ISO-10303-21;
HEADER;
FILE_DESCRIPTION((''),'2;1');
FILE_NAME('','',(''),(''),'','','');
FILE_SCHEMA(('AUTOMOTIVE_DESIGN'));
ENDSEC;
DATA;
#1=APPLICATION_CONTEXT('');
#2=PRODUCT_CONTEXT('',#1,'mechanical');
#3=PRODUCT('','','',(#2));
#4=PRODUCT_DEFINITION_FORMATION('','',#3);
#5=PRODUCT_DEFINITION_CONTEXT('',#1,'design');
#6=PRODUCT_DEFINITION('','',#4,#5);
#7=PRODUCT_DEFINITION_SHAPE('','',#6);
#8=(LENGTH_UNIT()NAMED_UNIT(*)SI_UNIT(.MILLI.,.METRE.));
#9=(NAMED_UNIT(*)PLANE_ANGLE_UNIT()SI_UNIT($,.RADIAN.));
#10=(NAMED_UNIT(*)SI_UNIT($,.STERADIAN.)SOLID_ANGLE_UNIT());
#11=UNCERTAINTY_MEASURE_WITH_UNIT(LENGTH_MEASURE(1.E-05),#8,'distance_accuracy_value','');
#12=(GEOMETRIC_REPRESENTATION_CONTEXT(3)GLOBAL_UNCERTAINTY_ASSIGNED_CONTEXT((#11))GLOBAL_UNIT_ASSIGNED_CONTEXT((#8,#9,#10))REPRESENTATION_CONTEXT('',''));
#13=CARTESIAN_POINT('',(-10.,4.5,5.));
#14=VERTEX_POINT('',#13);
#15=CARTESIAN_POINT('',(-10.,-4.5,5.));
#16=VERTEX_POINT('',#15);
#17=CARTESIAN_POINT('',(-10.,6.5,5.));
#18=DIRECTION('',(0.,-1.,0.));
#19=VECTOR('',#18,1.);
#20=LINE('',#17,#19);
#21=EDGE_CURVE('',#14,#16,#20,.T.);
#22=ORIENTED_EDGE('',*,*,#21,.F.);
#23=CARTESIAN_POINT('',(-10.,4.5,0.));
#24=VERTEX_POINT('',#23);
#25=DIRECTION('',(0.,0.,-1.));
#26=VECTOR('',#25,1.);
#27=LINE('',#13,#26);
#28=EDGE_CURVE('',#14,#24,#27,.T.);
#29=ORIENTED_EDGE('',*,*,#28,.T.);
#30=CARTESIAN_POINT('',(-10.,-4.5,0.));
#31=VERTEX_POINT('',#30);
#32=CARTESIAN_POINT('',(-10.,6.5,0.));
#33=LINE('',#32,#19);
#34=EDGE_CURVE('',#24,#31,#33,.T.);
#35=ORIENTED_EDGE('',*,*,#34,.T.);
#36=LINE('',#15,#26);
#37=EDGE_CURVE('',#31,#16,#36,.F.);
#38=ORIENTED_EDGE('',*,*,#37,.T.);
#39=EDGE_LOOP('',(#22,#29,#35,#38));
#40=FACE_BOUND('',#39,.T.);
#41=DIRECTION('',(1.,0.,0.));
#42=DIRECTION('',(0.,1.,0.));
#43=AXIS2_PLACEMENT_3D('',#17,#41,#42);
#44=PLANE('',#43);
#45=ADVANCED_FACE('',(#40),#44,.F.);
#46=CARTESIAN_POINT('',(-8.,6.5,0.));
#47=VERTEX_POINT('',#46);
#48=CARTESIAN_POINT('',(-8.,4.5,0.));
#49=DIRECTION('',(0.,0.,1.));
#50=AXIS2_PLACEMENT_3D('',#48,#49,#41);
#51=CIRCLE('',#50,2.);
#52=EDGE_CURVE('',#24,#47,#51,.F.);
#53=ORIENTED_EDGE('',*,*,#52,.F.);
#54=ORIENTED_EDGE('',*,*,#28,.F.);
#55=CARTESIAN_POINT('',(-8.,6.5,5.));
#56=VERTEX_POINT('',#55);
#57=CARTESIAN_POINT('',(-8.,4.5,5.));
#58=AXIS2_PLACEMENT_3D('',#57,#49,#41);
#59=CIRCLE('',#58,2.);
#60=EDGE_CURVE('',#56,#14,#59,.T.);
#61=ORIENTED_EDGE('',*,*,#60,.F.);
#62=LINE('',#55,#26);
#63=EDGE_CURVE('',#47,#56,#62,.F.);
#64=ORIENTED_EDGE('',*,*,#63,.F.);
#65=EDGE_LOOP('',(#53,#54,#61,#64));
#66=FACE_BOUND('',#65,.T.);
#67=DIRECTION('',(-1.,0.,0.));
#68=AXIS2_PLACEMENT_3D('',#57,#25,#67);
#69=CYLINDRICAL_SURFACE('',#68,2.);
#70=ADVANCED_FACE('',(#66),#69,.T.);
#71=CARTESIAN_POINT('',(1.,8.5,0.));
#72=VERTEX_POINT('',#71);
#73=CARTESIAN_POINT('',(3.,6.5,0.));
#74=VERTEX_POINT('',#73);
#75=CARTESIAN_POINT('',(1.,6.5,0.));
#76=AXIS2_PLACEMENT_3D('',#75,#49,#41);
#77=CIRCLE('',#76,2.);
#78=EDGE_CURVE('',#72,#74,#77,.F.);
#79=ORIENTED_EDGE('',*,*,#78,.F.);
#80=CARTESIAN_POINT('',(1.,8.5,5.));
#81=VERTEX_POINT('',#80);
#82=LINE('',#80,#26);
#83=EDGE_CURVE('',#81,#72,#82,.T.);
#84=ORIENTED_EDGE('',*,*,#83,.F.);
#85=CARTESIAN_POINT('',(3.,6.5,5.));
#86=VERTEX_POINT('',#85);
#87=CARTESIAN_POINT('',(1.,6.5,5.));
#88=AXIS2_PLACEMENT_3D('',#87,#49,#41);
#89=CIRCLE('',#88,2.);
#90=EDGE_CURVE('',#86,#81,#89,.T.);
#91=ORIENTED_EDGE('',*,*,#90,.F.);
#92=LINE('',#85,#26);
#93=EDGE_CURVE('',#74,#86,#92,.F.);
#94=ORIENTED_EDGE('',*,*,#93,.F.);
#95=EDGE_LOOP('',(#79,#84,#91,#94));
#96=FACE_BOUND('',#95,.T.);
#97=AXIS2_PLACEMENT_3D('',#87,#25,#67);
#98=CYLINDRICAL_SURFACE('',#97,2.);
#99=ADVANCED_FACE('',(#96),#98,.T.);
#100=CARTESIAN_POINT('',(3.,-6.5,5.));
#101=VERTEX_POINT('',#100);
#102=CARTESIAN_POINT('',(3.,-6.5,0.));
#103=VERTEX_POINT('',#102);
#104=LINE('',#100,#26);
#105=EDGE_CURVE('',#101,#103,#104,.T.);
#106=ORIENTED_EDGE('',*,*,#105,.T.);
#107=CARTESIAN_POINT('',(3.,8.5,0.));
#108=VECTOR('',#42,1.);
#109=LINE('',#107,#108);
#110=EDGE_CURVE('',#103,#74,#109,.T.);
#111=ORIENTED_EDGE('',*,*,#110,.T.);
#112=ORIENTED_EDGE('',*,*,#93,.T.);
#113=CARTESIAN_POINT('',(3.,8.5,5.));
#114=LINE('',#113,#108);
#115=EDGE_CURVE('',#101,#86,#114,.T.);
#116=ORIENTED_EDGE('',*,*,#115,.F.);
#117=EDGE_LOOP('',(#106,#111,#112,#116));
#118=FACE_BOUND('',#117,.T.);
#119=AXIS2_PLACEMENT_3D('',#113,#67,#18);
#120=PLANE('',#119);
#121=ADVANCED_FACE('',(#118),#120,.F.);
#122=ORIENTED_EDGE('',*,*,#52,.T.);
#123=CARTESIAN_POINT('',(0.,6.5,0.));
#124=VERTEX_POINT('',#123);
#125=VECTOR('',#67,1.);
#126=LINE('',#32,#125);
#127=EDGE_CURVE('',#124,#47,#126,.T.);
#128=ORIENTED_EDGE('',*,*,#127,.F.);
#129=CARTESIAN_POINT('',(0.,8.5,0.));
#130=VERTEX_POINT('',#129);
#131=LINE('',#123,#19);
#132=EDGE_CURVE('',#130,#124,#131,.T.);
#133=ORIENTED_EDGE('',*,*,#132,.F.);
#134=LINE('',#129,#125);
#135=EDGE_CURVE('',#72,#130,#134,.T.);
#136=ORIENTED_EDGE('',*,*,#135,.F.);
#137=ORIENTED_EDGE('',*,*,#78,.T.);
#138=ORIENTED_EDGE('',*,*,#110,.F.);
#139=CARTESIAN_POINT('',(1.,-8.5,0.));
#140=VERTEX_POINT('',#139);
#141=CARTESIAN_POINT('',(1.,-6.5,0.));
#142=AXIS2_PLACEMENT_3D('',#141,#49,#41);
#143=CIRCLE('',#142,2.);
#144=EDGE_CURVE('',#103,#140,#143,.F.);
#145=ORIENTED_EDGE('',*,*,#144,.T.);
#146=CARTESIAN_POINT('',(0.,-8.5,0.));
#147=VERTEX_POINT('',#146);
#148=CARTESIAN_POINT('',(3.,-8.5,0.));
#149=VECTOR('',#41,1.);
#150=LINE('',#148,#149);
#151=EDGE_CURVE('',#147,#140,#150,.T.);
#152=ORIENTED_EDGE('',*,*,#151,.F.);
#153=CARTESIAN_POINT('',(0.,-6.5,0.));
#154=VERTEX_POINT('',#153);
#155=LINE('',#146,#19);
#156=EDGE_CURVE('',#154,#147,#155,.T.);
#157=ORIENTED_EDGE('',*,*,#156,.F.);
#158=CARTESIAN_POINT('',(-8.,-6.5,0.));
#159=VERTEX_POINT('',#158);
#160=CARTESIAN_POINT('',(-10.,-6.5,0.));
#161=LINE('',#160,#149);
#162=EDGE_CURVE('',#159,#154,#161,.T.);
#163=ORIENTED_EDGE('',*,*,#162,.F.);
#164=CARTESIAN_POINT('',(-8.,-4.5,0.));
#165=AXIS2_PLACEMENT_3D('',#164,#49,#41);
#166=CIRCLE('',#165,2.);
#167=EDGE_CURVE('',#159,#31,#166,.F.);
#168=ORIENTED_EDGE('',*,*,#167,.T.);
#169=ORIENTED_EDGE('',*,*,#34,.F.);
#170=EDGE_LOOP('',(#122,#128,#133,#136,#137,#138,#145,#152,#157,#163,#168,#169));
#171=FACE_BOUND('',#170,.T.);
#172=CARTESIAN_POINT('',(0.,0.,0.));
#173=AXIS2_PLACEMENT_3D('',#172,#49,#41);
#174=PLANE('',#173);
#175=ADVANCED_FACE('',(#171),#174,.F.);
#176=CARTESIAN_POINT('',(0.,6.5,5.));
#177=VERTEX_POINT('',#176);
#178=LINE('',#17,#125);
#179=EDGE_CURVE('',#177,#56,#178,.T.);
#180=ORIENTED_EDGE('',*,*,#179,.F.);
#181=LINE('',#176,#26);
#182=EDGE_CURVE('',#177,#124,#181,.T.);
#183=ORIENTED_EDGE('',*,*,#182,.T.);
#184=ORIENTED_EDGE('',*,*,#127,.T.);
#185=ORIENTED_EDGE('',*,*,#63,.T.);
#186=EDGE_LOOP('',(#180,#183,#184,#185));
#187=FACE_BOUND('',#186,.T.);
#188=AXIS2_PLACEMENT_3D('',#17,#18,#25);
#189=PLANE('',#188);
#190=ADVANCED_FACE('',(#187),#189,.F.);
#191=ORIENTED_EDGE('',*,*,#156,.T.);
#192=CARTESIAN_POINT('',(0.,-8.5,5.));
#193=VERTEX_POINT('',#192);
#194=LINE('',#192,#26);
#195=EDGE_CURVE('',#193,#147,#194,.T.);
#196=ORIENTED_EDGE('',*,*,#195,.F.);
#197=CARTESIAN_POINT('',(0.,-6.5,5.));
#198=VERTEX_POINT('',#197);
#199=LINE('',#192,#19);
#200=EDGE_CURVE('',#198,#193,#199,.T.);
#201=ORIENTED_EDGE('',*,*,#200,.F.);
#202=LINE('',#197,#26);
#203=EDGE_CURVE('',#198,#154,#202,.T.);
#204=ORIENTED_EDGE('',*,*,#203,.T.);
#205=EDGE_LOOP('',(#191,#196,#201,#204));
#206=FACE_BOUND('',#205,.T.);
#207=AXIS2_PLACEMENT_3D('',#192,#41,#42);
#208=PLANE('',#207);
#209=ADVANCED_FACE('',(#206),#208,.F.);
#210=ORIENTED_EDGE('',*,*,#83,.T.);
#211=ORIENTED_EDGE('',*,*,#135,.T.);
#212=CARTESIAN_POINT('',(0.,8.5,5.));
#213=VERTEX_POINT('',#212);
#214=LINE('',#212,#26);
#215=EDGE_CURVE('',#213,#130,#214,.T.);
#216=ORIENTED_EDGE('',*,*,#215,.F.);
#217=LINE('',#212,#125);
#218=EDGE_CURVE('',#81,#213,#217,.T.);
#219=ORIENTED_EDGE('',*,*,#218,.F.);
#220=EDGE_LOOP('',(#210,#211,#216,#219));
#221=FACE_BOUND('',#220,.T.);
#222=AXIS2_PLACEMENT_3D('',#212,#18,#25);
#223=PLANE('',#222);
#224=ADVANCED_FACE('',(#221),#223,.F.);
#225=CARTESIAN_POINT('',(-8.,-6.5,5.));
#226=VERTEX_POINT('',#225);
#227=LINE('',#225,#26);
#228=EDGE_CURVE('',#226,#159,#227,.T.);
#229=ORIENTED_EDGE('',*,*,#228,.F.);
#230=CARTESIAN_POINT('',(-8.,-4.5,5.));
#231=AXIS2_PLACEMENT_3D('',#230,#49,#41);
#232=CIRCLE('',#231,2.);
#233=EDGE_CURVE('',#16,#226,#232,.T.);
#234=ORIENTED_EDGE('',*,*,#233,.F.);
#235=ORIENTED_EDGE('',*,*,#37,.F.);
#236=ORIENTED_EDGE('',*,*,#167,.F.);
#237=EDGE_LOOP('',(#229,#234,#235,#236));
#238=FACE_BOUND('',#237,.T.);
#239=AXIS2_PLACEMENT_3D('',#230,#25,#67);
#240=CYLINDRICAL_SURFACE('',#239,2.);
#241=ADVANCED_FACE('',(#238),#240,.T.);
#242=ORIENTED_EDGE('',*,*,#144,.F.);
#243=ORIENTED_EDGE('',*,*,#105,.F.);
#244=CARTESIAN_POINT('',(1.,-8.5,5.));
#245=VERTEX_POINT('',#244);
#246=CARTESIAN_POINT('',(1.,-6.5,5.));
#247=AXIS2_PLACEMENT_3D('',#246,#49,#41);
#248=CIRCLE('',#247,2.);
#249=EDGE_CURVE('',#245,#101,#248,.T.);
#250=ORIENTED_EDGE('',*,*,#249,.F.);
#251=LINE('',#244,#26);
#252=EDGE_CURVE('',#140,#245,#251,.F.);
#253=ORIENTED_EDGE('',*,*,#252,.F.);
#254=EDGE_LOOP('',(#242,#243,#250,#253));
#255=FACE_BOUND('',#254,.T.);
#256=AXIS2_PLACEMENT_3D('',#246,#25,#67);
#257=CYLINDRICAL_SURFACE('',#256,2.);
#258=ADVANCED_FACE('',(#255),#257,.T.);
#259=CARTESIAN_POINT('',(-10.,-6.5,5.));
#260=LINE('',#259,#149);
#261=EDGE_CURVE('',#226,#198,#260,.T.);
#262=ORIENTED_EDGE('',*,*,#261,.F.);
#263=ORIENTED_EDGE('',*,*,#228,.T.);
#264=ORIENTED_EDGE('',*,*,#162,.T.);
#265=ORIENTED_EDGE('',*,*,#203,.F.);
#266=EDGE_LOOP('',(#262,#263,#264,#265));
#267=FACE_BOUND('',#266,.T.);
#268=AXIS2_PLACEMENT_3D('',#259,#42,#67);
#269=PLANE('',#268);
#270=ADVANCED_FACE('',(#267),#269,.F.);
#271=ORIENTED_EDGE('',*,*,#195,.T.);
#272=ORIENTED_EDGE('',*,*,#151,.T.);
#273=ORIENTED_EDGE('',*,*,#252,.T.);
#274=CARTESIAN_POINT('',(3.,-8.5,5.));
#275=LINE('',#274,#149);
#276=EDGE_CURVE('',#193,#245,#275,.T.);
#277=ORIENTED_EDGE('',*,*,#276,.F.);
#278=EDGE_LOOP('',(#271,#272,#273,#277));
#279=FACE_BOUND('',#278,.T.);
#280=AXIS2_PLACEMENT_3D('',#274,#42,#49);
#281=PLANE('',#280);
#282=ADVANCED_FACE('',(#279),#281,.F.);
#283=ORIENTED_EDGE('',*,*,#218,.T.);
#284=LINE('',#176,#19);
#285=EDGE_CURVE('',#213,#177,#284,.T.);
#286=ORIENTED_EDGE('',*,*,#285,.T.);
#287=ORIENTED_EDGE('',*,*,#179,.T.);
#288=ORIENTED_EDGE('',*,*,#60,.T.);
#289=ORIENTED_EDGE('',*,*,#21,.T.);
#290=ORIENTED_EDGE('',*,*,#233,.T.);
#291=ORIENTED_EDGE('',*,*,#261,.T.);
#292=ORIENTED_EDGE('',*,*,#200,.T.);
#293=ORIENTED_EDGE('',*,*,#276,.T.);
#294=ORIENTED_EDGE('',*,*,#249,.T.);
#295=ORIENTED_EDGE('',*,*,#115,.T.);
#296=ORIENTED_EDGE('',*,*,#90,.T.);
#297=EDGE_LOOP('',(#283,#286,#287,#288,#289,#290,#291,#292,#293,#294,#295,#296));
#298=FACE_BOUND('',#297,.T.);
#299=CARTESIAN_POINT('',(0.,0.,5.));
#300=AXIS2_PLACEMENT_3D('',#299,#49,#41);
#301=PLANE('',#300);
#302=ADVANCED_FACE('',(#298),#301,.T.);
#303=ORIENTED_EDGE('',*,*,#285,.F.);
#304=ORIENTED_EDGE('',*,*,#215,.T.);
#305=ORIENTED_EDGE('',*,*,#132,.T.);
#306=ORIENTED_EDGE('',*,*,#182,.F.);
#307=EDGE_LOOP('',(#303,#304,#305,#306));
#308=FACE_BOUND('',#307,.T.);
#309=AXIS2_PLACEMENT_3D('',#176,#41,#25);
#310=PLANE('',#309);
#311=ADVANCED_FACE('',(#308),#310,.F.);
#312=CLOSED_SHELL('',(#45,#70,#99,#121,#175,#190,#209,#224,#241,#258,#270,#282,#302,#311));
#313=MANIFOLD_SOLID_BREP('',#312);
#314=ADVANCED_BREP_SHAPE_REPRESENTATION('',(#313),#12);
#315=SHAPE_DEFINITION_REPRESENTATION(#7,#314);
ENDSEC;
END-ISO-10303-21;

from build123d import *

# Parameters (mm, degrees)
BOSS_EXTRU_1_DEPTH = 5
CONG_1_R           = 2


with BuildPart() as part:
    # Esquisse1 → Boss.-Extru.1 (new body)
    with BuildSketch(Plane.XY):
        Polygon((0, 6.5), (0, 8.5), (3, 8.5), (3, -8.5), (0, -8.5), (0, -6.5), (-10, -6.5), (-10, 6.5), align=None)
    extrude(amount=BOSS_EXTRU_1_DEPTH)

    # Congé1
    cong_1_edges = [part.edges().sort_by_distance(p)[0] for p in [
        (-10, 6.5, 2.5),
        (3, 8.5, 2.5),
        (3, -8.5, 2.5),
        (-10, -6.5, 2.5),
    ]]
    fillet(cong_1_edges, radius=CONG_1_R)


solid = part.part
